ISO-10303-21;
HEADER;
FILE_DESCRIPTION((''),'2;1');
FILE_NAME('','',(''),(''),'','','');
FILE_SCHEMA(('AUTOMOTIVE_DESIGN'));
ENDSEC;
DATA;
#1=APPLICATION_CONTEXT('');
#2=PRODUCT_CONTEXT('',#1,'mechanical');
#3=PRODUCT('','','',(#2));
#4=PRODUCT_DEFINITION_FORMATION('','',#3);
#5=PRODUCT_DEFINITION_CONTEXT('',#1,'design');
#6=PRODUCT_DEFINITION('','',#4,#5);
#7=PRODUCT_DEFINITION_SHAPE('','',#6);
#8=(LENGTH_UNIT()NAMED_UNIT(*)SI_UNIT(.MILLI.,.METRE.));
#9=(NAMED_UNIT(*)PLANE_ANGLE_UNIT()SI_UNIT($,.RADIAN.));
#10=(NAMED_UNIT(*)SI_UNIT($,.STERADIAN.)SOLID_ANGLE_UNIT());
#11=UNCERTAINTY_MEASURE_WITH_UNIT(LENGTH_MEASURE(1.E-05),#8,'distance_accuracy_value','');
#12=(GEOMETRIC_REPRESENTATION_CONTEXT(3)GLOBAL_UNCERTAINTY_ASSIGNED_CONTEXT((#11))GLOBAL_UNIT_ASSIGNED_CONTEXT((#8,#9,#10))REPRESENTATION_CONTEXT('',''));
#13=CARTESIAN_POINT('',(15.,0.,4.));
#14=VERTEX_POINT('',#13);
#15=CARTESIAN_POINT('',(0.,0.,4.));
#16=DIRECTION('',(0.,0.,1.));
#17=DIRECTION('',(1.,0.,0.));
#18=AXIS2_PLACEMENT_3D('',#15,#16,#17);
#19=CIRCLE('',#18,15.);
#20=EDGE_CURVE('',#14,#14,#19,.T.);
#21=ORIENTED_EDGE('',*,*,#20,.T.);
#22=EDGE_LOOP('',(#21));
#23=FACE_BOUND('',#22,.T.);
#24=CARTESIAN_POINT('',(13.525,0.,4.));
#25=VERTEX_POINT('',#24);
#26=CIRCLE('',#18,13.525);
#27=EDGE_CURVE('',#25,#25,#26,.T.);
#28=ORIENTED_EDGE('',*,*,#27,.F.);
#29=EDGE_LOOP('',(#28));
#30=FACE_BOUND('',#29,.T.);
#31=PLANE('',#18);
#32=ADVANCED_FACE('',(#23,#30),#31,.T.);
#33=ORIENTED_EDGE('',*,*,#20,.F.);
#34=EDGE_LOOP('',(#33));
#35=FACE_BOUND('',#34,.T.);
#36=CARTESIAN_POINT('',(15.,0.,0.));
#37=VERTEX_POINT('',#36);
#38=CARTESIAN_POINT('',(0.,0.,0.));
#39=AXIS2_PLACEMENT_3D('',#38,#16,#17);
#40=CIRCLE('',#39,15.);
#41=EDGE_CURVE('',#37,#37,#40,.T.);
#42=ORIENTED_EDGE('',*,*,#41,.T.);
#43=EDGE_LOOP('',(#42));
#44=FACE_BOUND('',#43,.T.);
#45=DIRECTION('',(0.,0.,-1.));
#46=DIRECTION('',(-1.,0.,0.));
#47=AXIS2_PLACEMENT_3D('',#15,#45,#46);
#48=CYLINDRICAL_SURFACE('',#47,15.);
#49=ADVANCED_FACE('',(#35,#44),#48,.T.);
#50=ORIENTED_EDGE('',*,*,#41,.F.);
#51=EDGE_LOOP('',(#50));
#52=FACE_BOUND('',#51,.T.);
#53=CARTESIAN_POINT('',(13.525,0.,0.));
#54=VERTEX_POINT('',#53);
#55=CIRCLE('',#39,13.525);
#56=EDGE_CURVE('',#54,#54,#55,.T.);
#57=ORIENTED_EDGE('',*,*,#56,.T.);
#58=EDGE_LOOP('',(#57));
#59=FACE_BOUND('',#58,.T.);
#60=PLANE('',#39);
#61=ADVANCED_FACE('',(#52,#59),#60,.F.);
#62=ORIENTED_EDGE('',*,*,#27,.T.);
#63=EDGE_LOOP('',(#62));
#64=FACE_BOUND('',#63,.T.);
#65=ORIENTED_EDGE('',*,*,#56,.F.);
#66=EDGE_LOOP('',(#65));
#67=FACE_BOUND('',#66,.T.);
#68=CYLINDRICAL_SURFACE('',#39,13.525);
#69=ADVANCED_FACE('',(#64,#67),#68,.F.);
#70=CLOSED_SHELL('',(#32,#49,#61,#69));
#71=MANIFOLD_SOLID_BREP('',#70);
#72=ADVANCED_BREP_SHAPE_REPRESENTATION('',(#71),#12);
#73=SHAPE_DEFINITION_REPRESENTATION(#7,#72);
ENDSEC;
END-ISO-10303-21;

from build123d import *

# Parameters (mm, degrees)
SKETCH1_R           = 15
BOSS_EXTRUDE1_DEPTH = 4
SKETCH2_R           = 13.525
CUT_EXTRUDE1_DEPTH  = 4


with BuildPart() as part:
    # Sketch1 → Boss-Extrude1 (new body)
    with BuildSketch(Plane(origin=(0, 0, 0), x_dir=(0, 1, 0), z_dir=(0, 0, 1))):
        with Locations(Location((0, 0, 0), (0, 0, 270))):
            Circle(SKETCH1_R)
    extrude(amount=BOSS_EXTRUDE1_DEPTH)

    # Sketch2 → Cut-Extrude1 (cut)
    with BuildSketch(Plane.XY.offset(4)):
        Circle(SKETCH2_R)
    extrude(amount=-CUT_EXTRUDE1_DEPTH, mode=Mode.SUBTRACT)


solid = part.part
